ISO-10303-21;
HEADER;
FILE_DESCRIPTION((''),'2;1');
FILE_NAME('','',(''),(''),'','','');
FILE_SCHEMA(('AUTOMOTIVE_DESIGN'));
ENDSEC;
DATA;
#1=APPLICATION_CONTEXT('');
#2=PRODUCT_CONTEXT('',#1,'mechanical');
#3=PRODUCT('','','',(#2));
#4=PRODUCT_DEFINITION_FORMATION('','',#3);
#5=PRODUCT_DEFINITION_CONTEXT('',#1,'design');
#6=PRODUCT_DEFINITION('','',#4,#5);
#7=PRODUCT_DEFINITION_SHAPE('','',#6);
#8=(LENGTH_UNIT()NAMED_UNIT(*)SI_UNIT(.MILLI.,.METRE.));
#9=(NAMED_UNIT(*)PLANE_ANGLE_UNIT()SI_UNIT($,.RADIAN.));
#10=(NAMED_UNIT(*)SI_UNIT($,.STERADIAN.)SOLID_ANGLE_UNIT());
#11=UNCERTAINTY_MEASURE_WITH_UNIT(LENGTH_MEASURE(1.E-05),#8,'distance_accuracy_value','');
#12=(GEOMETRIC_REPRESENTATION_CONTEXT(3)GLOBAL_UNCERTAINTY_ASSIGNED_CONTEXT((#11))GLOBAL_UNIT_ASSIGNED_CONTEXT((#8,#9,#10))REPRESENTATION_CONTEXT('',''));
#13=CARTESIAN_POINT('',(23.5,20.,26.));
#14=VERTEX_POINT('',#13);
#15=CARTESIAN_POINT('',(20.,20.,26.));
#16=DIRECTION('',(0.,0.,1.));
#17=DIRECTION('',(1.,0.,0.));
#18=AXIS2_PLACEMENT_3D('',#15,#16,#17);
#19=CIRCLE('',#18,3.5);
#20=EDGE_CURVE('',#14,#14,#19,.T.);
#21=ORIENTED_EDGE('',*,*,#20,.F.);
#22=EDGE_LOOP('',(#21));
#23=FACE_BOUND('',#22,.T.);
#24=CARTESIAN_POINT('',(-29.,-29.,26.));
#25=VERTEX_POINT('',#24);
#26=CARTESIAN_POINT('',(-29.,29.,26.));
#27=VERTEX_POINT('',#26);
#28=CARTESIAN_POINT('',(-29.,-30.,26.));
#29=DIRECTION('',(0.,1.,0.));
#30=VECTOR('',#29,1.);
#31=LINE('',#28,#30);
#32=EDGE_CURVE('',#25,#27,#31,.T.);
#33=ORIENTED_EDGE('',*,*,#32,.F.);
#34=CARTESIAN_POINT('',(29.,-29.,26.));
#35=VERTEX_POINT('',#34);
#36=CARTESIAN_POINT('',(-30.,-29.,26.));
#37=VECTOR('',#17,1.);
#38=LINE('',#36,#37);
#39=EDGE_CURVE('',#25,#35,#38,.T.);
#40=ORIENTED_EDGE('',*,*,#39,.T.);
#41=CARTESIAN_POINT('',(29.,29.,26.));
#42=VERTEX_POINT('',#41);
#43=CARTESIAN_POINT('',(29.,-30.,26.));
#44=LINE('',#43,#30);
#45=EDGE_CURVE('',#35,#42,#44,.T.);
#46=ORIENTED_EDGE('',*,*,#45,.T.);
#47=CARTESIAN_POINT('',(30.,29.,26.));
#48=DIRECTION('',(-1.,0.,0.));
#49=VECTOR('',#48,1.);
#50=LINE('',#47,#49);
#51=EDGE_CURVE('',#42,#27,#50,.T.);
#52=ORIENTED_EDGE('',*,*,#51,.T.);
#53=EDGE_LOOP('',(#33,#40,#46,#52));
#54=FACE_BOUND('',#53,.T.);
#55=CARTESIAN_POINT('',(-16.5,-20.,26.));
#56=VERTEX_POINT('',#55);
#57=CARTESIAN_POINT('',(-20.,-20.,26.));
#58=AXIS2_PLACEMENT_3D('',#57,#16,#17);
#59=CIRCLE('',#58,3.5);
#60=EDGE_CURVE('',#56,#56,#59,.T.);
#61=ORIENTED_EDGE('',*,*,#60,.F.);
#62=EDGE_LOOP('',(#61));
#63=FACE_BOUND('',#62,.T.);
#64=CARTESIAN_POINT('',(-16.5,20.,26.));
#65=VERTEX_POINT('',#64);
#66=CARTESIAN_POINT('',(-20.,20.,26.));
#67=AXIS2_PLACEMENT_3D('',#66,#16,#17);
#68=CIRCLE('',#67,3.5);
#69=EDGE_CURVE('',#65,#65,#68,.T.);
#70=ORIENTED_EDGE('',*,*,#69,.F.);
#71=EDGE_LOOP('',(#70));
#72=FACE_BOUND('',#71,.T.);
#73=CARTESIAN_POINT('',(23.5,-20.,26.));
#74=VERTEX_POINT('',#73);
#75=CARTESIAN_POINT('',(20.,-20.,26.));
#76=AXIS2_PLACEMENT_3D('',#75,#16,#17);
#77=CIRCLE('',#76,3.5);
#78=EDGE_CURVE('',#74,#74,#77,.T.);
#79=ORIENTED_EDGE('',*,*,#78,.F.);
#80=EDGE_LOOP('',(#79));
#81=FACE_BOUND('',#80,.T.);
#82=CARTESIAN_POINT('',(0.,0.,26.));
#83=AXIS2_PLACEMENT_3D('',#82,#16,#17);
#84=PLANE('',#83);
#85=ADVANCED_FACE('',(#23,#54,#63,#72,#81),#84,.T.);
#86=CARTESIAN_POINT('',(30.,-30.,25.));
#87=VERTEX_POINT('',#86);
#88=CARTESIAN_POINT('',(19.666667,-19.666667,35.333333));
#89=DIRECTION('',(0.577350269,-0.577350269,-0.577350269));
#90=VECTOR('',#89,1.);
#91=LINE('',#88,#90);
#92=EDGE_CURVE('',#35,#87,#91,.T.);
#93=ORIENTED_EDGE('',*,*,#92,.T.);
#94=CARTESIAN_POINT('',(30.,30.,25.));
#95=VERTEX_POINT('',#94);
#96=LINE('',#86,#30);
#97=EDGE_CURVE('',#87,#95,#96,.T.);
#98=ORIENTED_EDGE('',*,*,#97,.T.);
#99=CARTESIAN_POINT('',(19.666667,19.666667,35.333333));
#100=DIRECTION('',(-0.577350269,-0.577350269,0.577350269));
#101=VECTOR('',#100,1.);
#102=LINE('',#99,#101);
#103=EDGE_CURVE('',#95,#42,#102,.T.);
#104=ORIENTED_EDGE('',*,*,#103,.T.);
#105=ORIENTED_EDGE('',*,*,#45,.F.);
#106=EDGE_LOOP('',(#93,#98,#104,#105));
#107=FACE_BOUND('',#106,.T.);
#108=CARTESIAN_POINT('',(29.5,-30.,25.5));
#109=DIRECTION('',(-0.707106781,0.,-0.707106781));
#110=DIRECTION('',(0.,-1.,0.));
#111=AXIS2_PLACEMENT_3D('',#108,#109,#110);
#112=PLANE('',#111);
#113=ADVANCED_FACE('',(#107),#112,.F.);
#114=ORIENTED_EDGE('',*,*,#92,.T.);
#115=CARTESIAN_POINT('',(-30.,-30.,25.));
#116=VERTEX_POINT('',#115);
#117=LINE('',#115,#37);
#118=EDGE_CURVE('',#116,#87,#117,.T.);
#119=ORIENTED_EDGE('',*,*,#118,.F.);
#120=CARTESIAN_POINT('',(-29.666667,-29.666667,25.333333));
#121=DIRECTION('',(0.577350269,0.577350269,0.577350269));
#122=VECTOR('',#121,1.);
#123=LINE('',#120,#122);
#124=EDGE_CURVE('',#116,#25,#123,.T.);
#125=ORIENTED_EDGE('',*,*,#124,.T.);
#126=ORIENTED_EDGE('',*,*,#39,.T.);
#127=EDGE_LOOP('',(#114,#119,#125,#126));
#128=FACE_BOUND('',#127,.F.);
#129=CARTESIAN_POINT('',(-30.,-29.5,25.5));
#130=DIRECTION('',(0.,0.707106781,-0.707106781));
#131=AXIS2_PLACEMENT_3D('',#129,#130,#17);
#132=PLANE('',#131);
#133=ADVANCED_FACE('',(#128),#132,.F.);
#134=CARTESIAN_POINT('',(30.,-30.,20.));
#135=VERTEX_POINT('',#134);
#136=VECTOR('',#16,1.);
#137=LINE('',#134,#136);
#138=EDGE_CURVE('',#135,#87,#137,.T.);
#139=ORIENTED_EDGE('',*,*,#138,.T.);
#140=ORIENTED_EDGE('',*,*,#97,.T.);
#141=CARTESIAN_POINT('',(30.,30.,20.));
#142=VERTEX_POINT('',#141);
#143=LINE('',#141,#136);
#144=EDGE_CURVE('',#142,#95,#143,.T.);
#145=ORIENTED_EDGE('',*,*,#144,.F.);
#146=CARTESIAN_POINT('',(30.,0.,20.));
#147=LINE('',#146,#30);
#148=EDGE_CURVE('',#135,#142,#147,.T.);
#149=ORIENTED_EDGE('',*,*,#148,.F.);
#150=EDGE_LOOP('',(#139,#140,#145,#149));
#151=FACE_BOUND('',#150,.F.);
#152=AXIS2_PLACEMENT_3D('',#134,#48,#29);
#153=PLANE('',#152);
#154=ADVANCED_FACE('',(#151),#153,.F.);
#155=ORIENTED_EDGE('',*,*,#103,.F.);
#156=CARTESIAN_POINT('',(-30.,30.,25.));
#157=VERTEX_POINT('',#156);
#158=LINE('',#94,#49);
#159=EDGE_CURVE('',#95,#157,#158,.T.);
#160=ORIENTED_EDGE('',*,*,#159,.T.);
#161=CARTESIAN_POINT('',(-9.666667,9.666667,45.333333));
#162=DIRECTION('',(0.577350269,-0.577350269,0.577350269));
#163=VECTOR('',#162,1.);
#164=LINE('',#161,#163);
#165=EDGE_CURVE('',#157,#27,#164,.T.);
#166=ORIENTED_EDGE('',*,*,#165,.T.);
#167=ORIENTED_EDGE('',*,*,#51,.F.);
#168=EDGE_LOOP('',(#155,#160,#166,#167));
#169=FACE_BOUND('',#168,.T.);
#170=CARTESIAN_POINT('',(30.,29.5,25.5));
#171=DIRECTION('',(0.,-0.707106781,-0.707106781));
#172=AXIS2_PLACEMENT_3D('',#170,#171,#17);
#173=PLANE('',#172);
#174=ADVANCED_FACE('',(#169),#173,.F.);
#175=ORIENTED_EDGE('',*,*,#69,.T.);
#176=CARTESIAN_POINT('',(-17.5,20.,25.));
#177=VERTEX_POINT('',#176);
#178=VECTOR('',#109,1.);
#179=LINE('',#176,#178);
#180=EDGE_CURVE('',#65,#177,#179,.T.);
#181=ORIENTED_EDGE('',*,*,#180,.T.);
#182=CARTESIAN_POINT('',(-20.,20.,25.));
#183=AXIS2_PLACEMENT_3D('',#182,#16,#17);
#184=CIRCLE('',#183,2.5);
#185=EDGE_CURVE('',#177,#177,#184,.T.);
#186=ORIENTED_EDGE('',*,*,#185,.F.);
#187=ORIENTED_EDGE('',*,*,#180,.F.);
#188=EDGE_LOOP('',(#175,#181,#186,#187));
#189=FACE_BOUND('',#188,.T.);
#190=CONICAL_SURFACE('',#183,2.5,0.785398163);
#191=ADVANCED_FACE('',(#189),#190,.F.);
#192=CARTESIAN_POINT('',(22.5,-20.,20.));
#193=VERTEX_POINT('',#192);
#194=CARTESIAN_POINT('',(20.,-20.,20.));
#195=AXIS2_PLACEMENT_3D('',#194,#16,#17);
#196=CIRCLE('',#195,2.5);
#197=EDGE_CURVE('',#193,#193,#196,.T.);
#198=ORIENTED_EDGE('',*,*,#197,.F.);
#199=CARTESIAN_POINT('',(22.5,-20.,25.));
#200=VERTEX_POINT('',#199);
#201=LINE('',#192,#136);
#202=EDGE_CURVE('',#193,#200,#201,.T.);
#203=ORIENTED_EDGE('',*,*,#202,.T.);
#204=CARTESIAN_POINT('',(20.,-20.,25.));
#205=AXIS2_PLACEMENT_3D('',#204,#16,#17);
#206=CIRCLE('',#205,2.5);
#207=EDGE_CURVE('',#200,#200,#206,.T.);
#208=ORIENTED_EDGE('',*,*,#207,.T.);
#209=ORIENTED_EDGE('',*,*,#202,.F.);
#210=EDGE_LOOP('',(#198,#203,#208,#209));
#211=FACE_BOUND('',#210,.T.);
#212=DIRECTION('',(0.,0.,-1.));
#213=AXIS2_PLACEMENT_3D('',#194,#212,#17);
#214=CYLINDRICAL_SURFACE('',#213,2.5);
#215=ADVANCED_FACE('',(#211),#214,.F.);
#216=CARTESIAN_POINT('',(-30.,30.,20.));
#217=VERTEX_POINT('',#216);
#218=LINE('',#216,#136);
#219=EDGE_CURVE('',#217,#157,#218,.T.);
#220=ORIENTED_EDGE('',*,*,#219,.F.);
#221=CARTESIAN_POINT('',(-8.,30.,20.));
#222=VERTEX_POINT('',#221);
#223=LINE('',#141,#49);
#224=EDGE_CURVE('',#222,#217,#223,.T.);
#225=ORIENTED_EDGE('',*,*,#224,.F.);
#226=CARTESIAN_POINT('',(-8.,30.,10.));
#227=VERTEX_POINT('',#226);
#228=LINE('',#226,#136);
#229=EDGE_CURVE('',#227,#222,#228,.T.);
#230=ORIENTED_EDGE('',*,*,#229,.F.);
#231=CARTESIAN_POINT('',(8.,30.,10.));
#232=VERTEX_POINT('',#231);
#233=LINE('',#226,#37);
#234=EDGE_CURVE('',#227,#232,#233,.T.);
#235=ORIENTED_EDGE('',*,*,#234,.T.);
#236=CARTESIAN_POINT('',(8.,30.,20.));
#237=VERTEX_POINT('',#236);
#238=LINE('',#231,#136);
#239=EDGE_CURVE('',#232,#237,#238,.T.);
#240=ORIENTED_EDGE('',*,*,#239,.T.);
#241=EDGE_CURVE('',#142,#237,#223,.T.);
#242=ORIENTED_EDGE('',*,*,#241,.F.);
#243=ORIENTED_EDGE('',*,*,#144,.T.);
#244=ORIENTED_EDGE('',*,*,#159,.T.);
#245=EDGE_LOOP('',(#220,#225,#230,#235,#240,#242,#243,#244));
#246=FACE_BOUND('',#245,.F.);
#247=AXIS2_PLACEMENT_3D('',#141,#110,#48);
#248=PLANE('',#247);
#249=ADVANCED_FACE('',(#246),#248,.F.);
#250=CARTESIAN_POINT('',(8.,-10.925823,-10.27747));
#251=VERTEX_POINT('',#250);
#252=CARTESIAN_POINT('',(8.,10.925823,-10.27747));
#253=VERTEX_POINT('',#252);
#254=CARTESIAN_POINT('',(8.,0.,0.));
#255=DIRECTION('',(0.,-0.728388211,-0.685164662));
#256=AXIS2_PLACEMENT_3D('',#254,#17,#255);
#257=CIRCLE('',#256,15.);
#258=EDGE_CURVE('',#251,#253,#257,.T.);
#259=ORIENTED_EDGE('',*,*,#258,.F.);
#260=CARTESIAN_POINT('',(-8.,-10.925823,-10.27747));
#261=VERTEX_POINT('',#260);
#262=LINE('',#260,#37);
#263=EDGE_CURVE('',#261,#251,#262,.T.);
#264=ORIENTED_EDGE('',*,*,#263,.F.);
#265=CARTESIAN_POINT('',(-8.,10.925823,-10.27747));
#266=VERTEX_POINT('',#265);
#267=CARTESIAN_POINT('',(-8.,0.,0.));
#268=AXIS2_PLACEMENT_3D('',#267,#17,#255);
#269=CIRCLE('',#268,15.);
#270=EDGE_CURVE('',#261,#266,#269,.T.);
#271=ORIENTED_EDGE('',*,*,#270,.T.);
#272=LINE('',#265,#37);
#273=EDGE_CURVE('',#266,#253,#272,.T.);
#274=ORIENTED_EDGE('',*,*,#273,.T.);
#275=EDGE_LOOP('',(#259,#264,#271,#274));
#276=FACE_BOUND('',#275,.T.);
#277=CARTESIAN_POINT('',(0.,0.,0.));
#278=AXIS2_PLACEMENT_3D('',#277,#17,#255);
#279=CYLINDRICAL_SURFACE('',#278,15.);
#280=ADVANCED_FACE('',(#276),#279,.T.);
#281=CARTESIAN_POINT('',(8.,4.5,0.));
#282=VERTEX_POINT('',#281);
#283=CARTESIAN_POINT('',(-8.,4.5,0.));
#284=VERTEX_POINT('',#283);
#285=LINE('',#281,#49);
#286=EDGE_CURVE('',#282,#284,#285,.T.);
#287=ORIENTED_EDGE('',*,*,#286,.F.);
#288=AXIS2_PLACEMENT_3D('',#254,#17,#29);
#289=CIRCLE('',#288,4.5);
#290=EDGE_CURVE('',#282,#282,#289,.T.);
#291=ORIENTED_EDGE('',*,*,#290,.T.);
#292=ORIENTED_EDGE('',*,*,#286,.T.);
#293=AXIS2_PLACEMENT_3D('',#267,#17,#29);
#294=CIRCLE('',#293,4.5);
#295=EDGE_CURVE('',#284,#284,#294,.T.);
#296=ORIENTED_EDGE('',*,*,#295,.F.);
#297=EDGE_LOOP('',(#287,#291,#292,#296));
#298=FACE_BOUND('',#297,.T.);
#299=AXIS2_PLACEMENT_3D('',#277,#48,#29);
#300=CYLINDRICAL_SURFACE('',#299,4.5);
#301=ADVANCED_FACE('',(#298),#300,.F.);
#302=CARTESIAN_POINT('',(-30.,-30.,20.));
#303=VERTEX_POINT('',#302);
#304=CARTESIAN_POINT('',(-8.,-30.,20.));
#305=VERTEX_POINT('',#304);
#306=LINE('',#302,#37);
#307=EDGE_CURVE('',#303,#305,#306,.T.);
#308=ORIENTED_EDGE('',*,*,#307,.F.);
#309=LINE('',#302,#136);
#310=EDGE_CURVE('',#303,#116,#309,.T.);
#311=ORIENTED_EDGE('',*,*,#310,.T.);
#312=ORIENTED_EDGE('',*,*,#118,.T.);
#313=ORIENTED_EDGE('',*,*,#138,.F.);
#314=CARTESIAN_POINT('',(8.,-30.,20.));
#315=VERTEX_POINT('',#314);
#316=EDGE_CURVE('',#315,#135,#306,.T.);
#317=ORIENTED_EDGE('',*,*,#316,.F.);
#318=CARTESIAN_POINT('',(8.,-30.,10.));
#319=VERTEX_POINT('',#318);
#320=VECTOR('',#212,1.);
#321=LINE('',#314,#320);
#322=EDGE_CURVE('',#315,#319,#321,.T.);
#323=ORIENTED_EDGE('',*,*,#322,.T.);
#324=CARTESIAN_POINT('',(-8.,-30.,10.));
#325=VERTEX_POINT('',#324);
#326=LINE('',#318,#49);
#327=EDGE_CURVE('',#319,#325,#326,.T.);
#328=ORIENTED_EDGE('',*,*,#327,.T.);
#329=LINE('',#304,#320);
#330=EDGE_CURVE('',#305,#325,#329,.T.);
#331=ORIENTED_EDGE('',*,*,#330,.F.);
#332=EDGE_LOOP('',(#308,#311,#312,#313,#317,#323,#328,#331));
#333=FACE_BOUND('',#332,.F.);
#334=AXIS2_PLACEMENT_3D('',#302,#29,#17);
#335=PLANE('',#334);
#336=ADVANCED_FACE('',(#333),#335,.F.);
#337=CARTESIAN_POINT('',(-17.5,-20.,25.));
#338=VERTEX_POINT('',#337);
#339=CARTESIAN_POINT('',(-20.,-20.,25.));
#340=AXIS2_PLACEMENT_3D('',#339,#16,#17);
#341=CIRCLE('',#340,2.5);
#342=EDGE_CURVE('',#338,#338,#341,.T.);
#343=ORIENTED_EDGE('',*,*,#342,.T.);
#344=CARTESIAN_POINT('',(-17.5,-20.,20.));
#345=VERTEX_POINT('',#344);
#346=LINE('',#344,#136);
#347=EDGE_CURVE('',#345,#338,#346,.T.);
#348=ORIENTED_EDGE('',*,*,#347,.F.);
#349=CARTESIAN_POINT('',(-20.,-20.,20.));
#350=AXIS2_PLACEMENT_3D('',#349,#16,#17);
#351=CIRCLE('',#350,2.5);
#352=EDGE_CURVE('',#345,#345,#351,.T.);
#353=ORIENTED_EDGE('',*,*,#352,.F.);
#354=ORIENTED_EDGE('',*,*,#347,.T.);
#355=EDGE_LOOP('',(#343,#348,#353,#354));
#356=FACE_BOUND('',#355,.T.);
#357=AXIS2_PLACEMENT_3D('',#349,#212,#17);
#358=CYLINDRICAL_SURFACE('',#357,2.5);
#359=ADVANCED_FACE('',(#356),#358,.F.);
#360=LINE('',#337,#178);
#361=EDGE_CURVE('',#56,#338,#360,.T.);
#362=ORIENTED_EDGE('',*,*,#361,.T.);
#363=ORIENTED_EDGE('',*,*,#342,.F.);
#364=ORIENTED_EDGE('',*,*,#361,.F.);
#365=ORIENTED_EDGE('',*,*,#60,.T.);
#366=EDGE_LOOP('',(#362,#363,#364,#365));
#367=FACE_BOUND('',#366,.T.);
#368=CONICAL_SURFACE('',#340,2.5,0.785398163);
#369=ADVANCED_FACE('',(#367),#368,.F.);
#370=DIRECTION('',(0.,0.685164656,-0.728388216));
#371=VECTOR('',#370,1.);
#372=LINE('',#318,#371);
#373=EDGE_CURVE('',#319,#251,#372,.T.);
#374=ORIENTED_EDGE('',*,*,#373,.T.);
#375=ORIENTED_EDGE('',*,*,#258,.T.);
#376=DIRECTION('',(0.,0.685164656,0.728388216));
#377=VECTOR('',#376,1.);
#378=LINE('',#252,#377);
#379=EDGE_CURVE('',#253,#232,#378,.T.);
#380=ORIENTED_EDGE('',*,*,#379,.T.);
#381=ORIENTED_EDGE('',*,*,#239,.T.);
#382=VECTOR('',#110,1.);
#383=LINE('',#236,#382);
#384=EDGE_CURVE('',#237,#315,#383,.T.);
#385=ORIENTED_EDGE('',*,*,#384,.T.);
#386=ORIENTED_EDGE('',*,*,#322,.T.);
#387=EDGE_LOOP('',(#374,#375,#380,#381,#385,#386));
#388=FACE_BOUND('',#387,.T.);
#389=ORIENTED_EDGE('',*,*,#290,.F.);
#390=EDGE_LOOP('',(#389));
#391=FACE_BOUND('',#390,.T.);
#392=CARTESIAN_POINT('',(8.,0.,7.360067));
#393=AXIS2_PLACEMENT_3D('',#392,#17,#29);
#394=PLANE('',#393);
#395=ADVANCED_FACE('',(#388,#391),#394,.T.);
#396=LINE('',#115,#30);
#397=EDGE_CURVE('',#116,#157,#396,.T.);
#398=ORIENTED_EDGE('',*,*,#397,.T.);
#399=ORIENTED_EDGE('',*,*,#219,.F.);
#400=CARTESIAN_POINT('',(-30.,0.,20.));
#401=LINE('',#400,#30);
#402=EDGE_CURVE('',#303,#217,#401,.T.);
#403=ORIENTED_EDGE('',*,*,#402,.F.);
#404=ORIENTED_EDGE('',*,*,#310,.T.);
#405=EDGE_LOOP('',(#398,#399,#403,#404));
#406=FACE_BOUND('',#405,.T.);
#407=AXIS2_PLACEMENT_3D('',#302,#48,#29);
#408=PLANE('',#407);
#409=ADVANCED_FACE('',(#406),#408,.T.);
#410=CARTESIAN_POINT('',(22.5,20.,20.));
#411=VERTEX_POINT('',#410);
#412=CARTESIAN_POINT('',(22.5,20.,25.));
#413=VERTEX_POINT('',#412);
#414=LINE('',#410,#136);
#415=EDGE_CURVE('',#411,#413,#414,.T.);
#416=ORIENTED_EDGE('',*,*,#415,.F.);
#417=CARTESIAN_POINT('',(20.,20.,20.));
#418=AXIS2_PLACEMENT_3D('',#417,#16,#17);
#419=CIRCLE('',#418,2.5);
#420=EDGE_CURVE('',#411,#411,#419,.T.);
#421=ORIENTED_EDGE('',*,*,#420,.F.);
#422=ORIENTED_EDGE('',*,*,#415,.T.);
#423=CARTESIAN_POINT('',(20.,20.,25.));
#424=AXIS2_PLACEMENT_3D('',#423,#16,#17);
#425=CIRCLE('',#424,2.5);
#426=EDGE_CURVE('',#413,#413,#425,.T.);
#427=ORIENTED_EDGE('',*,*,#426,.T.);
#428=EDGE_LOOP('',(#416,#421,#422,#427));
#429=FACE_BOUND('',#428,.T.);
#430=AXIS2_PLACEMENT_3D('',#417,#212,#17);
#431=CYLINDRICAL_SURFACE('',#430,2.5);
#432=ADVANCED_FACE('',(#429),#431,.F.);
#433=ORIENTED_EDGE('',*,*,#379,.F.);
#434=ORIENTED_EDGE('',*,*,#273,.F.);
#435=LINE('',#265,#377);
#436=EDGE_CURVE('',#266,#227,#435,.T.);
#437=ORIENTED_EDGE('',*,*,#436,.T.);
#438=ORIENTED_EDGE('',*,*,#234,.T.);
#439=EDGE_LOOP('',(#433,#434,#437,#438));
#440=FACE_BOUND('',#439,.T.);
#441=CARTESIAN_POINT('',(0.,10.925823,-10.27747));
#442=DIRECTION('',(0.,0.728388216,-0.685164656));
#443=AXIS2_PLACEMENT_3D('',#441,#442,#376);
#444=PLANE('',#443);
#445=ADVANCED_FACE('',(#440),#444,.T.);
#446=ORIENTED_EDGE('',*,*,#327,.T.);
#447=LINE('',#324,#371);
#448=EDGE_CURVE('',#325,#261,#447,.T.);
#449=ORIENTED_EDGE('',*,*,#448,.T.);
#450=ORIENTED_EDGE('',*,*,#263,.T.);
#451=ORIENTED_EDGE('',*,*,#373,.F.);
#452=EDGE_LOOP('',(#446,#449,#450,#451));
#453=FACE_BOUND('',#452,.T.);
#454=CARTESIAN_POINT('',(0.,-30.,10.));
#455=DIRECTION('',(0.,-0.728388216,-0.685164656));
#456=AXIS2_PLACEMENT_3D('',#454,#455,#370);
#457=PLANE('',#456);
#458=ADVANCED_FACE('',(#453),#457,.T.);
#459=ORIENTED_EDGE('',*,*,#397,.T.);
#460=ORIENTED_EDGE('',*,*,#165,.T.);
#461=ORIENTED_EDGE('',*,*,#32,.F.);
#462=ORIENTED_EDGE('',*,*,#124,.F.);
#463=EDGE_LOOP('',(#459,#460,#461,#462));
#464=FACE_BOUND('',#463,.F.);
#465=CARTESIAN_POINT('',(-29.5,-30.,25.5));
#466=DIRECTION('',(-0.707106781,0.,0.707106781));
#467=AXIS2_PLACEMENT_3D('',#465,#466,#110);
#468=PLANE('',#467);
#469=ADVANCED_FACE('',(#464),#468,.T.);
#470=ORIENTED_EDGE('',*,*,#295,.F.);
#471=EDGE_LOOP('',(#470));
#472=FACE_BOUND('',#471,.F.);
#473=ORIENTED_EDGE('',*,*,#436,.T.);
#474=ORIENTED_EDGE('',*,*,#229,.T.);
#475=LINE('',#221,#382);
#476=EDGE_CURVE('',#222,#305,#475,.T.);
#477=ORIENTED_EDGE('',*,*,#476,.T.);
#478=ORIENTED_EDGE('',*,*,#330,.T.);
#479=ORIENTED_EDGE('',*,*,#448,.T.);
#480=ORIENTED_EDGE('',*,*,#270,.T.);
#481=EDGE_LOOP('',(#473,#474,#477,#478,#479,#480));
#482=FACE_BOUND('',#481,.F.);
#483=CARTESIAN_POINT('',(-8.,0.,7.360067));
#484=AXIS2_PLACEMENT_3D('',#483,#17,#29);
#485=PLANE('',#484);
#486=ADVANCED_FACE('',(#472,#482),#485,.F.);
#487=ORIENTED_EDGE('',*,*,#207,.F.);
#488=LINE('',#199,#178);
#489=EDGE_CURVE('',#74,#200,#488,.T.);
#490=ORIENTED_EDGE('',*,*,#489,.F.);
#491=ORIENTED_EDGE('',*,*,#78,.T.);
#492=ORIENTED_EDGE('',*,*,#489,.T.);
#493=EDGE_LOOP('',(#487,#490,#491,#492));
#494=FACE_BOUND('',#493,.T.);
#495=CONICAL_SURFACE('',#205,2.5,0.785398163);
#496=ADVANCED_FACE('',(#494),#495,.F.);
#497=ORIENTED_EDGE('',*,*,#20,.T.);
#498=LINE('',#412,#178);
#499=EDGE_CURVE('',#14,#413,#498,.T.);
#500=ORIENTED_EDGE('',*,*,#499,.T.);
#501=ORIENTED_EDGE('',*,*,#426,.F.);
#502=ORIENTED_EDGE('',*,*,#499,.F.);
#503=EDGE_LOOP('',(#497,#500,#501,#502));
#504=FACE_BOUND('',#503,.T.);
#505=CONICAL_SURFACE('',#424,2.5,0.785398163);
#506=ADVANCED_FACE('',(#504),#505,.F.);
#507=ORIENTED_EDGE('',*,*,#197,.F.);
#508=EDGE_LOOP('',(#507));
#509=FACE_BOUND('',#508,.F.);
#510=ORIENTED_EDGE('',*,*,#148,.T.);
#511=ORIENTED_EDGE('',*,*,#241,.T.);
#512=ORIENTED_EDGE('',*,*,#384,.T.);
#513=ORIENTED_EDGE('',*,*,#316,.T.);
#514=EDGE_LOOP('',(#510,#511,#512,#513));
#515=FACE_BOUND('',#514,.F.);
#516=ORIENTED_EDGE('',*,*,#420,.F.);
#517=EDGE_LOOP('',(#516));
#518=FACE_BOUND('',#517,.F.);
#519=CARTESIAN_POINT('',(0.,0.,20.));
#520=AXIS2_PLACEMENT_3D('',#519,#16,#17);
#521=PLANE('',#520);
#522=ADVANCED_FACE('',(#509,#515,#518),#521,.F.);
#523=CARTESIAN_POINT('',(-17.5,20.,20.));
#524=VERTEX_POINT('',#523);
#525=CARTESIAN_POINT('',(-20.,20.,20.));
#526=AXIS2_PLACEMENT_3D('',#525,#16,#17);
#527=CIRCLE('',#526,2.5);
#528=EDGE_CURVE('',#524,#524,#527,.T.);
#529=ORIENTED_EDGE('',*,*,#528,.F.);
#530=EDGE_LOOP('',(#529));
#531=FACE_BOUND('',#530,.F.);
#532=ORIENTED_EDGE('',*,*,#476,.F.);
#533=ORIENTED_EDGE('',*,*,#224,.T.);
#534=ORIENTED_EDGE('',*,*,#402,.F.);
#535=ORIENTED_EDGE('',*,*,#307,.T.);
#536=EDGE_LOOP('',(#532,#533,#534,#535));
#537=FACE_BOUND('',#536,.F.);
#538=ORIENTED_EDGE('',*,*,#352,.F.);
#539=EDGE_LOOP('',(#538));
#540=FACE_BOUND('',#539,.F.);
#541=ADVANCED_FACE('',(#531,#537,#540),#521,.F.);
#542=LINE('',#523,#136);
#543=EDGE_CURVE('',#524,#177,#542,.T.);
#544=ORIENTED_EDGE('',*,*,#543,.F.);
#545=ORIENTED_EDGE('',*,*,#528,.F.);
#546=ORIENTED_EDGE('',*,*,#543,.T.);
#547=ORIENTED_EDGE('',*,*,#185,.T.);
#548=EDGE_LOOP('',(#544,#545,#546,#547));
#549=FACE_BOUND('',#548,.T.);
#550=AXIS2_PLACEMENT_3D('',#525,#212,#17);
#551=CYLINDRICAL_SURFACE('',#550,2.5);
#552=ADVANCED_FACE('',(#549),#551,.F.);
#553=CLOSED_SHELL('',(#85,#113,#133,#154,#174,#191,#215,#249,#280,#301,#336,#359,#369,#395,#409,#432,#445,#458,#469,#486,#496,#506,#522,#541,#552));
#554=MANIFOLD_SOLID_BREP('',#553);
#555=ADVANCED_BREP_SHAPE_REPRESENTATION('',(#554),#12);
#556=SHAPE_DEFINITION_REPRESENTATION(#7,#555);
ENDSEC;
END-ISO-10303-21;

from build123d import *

# Parameters (mm, degrees)
F0_R     = 4.5
F1_DEPTH = 8
F2_W     = 22
F2_H     = 60
F2_R     = 2.5
F3_DEPTH = 6
F4_SIZE  = 1


with BuildPart() as f1:
    # F0 (on Right) → F1 (new body, symmetric)
    with BuildSketch(Plane.YZ):
        with BuildLine():
            Line((-30, 10), (-10.925823, -10.27747))
            ThreePointArc((-10.925823, -10.27747), (0, -15), (10.925823, -10.27747))
            Line((10.925823, -10.27747), (30, 10))
            Line((30, 10), (30, 20))
            Line((30, 20), (0, 20))
            Line((0, 20), (-30, 20))
            Line((-30, 20), (-30, 10))
        make_face()
        Circle(F0_R, mode=Mode.SUBTRACT)
    extrude(amount=F1_DEPTH, both=True)

    # F2 (on face) → F3 (join)
    with BuildSketch(Plane.XY.offset(20)):
        Polygon((8, 30), (0, 30), (-8, 30), (-8, -30), (8, -30), align=None)
        with Locations((19, 0)):
            Rectangle(F2_W, F2_H)
        with Locations((20, -20)):
            Circle(F2_R, mode=Mode.SUBTRACT)
        with Locations((20, 20)):
            Circle(F2_R, mode=Mode.SUBTRACT)
        with Locations((-19, 0)):
            Rectangle(F2_W, F2_H)
        with Locations((-20, -20)):
            Circle(F2_R, mode=Mode.SUBTRACT)
        with Locations((-20, 20)):
            Circle(F2_R, mode=Mode.SUBTRACT)
    extrude(amount=F3_DEPTH)

    # F4
    f4_edges = [f1.edges().sort_by_distance(p)[0] for p in [
        (0, 30, 26),
        (-30, 0, 26),
        (0, -30, 26),
        (30, 0, 26),
        (17.5, 20, 26),
        (17.5, -20, 26),
        (-22.5, 20, 26),
        (-22.5, -20, 26),
    ]]
    chamfer(f4_edges, length=F4_SIZE)


solid = f1.part
